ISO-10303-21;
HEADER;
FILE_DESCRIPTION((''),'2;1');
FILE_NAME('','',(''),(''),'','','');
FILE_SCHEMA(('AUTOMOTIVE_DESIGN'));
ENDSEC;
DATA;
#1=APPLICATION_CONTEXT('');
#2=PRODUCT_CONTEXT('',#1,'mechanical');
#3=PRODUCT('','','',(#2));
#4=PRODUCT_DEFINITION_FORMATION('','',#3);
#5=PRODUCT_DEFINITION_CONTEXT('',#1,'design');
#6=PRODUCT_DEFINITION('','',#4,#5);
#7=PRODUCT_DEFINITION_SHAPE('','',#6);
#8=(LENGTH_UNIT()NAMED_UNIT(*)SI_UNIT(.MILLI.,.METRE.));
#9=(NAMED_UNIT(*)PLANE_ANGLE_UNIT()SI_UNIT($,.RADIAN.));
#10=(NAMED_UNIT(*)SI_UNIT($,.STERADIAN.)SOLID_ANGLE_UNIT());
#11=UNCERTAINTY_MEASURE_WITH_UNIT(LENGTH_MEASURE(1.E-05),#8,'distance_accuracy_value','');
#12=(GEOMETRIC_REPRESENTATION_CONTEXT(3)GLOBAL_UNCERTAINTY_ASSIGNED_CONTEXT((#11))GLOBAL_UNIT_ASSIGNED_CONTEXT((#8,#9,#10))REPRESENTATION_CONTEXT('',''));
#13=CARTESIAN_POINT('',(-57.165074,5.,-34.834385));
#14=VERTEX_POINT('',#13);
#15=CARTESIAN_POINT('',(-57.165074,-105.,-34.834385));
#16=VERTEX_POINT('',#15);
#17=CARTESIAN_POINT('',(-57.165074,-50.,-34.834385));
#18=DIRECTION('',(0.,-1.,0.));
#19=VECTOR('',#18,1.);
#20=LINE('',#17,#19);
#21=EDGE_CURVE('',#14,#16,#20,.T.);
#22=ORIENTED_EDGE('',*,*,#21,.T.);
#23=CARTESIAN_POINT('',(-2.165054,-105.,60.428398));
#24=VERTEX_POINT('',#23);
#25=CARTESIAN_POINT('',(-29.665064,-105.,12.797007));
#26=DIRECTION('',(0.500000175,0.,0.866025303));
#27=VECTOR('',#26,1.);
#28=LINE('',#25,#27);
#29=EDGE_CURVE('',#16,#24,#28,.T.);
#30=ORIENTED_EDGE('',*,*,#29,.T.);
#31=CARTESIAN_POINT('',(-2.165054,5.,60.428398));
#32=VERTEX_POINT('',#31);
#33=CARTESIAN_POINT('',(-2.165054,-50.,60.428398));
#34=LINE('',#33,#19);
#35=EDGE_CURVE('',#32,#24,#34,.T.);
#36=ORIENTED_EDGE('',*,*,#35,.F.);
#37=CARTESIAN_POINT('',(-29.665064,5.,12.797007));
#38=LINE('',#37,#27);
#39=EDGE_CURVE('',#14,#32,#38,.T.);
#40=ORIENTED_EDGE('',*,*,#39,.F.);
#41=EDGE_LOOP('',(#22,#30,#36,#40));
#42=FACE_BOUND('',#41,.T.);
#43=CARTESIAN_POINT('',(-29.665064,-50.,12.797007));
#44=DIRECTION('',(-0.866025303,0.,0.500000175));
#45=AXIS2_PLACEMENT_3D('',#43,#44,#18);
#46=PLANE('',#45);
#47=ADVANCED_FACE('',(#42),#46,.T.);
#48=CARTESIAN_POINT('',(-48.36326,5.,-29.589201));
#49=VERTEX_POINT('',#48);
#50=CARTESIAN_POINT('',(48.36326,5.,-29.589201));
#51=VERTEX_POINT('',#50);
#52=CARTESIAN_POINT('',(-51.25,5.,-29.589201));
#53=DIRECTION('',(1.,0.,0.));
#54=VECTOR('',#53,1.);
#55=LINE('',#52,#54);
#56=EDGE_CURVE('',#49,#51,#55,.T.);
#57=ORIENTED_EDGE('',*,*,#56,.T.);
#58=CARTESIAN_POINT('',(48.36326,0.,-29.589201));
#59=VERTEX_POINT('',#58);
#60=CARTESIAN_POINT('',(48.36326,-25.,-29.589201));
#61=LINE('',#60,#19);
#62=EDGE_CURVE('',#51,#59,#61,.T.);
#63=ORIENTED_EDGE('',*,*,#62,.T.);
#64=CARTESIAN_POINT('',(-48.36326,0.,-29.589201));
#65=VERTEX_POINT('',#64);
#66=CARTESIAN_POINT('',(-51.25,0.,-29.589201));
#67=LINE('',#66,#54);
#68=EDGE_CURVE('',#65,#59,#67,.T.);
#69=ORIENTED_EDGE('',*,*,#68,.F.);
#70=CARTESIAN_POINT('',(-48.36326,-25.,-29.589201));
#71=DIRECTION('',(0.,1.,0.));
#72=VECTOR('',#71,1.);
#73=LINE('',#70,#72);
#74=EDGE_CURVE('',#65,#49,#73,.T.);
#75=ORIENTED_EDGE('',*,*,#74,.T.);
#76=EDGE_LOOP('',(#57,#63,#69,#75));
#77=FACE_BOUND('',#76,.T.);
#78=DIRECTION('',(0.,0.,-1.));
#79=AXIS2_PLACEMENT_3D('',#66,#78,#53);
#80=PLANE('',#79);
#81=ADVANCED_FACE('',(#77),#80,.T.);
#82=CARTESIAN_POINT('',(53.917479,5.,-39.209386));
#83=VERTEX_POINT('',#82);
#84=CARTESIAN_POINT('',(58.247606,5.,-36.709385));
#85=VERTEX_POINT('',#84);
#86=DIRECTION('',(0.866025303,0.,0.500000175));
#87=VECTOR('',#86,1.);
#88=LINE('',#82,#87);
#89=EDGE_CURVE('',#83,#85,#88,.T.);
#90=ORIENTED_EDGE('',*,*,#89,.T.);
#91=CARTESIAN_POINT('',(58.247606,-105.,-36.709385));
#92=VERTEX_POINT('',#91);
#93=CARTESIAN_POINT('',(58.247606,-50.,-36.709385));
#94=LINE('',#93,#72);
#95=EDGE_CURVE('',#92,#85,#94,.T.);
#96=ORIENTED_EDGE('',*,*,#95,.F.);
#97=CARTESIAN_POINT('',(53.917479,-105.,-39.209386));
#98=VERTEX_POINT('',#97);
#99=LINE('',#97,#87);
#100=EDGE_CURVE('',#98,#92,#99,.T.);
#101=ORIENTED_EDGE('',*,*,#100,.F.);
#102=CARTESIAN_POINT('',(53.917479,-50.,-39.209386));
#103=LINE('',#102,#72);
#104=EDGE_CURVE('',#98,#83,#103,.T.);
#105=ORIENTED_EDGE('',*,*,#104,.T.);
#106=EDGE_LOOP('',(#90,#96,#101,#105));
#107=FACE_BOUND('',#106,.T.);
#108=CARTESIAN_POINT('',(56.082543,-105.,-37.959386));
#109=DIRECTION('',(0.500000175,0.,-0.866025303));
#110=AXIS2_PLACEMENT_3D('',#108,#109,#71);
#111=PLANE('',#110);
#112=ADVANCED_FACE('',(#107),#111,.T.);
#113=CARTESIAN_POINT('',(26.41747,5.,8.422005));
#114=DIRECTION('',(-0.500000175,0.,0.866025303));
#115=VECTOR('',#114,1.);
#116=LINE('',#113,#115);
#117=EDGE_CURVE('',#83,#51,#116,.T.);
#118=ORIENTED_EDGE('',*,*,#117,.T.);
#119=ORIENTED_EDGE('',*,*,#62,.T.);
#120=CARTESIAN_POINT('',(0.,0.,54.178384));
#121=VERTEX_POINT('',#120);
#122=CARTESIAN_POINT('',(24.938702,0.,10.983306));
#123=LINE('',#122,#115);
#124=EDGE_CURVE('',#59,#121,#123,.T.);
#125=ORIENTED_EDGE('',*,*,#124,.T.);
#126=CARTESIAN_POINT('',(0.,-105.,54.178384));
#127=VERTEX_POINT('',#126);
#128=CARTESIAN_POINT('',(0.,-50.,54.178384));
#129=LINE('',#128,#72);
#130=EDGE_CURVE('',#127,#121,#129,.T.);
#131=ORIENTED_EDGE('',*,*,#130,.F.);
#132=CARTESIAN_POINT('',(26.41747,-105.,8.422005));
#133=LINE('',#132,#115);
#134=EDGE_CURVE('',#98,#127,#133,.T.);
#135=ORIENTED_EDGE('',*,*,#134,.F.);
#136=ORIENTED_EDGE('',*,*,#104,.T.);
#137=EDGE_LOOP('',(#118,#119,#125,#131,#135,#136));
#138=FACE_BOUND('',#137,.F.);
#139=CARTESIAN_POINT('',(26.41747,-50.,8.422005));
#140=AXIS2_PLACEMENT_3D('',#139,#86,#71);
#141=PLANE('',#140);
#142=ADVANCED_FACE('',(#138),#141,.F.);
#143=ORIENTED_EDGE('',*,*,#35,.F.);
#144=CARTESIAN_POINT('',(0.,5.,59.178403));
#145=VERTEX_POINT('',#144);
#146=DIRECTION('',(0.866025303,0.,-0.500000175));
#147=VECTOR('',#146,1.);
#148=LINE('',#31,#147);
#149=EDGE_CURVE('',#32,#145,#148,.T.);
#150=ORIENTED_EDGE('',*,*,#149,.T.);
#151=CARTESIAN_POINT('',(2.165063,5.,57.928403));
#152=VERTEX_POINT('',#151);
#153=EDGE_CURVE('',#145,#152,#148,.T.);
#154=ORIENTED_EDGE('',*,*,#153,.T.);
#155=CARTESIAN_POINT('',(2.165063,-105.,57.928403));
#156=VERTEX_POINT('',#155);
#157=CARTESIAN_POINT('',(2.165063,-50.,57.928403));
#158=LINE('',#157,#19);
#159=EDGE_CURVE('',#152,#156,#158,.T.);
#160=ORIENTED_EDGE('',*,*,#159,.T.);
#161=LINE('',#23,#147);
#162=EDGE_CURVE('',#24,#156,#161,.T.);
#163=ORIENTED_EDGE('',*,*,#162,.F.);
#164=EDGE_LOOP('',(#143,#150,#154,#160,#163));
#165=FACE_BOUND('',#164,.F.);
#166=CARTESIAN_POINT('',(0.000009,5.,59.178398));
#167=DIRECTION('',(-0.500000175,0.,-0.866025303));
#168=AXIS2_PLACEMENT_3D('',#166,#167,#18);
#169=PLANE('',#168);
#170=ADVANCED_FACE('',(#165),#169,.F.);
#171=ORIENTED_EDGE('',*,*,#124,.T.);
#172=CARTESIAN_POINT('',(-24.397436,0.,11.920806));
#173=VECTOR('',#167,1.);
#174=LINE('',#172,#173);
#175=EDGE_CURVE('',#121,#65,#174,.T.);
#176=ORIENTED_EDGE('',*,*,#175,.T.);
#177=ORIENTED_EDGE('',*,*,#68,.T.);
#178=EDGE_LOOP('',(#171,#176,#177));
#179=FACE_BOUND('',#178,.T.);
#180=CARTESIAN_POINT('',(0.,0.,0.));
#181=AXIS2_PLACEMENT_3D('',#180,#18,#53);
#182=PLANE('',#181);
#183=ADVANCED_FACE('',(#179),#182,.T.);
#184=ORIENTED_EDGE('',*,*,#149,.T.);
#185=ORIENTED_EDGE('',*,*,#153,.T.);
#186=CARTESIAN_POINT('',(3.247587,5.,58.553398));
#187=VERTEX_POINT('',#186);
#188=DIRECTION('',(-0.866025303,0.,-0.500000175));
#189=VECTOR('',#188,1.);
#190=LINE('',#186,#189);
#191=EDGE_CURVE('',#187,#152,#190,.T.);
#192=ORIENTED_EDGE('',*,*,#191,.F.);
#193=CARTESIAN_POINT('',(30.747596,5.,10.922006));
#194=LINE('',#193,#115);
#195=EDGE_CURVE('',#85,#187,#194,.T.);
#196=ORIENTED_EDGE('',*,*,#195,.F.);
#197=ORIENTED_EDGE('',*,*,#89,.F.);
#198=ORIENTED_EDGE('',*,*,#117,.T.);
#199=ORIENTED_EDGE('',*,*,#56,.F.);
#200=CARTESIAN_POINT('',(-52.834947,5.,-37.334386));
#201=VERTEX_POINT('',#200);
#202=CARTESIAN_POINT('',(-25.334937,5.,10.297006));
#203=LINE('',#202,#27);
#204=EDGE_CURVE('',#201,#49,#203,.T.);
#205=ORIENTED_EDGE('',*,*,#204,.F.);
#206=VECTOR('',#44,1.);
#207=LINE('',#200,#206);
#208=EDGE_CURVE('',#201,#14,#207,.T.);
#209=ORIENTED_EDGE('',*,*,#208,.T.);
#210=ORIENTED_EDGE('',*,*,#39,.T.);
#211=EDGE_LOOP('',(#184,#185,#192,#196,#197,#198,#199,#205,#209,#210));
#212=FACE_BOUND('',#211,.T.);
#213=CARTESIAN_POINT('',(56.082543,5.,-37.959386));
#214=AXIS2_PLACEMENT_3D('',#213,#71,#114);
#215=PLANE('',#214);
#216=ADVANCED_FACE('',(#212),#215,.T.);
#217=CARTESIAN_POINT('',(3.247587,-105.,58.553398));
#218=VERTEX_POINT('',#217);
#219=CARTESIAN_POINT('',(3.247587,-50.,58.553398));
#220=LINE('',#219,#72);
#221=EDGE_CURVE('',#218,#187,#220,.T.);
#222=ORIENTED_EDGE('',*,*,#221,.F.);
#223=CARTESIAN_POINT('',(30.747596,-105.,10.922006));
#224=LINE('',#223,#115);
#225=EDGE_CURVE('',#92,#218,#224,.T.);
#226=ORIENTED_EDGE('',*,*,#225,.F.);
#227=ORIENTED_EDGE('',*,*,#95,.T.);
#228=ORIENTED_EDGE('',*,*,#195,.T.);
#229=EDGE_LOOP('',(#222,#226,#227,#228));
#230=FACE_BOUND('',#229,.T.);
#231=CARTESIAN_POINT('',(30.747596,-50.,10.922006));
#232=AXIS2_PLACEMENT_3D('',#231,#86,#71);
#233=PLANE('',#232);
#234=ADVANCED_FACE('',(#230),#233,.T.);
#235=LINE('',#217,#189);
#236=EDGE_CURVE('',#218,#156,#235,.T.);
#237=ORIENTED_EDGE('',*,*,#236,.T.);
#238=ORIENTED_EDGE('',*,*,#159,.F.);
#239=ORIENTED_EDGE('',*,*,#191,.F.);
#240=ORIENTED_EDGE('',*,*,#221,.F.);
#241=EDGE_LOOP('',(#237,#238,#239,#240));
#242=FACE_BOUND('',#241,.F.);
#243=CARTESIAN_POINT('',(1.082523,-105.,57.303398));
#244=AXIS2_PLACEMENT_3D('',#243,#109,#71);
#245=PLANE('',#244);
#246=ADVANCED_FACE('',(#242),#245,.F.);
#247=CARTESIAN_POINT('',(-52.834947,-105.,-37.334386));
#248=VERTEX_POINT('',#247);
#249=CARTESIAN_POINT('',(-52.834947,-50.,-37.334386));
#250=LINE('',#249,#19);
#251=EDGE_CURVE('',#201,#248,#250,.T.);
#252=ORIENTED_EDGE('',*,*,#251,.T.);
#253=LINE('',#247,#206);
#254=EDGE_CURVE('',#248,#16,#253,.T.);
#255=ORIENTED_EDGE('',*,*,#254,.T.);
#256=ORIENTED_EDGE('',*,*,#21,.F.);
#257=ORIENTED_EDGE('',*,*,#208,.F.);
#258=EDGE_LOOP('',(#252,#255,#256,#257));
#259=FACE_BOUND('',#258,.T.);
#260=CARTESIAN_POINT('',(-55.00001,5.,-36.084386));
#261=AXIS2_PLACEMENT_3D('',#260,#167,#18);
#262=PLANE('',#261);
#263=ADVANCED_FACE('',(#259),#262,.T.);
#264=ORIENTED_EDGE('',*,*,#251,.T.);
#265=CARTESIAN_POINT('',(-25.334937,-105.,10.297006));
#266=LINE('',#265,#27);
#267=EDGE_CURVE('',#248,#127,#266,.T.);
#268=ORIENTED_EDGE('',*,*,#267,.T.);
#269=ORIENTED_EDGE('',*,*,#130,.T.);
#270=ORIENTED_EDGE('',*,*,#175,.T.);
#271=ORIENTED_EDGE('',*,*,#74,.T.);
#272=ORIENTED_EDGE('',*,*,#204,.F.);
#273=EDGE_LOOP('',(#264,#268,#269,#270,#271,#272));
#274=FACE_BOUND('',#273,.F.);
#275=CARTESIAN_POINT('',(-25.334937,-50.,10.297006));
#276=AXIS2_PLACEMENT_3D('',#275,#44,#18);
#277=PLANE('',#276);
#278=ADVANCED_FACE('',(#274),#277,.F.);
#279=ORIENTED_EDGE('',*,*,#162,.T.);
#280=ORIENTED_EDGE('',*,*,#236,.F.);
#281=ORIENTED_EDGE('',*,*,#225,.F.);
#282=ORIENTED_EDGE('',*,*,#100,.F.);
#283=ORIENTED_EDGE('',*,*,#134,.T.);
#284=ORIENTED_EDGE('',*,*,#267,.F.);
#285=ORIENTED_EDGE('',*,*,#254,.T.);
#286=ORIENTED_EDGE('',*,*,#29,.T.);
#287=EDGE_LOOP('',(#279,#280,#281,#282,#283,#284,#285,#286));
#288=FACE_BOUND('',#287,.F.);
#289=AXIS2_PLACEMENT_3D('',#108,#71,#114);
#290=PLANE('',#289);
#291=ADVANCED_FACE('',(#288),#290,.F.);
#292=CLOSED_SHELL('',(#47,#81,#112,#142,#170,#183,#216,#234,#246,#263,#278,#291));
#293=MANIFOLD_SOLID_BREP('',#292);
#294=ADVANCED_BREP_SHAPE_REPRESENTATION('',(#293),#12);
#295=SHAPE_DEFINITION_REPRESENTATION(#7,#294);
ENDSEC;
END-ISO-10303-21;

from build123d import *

# Parameters (mm, degrees)
F1_DEPTH = 5
F2_W     = 110
F2_H     = 110
F3_DEPTH = 2.5
F4_W     = 110
F4_H     = 110
F5_DEPTH = 2.5


with BuildPart() as f1:
    # F0 (on Front) → F1 (new body)
    with BuildSketch(Plane.XZ):
        Polygon((51.25, -29.589201), (0, 59.178403), (-51.25, -29.589201), align=None)
    extrude(amount=-F1_DEPTH)

    # F2 (on face) → F3 (join, symmetric)
    with BuildSketch(Plane(origin=(-25.625, 0, 14.794601), x_dir=(0, -1, 0), z_dir=(-0.866025, 0, 0.5))):
        with Locations((50, -3.75)):
            Rectangle(F2_W, F2_H)
    extrude(amount=F3_DEPTH, both=True)

    # F4 (on face) → F5 (join, symmetric)
    with BuildSketch(Plane(origin=(25.625, 0, 14.794601), x_dir=(0, 1, 0), z_dir=(0.866025, 0, 0.5))):
        with Locations((-50, -5.915064)):
            Rectangle(F4_W, F4_H)
    extrude(amount=F5_DEPTH, both=True)


solid = f1.part
